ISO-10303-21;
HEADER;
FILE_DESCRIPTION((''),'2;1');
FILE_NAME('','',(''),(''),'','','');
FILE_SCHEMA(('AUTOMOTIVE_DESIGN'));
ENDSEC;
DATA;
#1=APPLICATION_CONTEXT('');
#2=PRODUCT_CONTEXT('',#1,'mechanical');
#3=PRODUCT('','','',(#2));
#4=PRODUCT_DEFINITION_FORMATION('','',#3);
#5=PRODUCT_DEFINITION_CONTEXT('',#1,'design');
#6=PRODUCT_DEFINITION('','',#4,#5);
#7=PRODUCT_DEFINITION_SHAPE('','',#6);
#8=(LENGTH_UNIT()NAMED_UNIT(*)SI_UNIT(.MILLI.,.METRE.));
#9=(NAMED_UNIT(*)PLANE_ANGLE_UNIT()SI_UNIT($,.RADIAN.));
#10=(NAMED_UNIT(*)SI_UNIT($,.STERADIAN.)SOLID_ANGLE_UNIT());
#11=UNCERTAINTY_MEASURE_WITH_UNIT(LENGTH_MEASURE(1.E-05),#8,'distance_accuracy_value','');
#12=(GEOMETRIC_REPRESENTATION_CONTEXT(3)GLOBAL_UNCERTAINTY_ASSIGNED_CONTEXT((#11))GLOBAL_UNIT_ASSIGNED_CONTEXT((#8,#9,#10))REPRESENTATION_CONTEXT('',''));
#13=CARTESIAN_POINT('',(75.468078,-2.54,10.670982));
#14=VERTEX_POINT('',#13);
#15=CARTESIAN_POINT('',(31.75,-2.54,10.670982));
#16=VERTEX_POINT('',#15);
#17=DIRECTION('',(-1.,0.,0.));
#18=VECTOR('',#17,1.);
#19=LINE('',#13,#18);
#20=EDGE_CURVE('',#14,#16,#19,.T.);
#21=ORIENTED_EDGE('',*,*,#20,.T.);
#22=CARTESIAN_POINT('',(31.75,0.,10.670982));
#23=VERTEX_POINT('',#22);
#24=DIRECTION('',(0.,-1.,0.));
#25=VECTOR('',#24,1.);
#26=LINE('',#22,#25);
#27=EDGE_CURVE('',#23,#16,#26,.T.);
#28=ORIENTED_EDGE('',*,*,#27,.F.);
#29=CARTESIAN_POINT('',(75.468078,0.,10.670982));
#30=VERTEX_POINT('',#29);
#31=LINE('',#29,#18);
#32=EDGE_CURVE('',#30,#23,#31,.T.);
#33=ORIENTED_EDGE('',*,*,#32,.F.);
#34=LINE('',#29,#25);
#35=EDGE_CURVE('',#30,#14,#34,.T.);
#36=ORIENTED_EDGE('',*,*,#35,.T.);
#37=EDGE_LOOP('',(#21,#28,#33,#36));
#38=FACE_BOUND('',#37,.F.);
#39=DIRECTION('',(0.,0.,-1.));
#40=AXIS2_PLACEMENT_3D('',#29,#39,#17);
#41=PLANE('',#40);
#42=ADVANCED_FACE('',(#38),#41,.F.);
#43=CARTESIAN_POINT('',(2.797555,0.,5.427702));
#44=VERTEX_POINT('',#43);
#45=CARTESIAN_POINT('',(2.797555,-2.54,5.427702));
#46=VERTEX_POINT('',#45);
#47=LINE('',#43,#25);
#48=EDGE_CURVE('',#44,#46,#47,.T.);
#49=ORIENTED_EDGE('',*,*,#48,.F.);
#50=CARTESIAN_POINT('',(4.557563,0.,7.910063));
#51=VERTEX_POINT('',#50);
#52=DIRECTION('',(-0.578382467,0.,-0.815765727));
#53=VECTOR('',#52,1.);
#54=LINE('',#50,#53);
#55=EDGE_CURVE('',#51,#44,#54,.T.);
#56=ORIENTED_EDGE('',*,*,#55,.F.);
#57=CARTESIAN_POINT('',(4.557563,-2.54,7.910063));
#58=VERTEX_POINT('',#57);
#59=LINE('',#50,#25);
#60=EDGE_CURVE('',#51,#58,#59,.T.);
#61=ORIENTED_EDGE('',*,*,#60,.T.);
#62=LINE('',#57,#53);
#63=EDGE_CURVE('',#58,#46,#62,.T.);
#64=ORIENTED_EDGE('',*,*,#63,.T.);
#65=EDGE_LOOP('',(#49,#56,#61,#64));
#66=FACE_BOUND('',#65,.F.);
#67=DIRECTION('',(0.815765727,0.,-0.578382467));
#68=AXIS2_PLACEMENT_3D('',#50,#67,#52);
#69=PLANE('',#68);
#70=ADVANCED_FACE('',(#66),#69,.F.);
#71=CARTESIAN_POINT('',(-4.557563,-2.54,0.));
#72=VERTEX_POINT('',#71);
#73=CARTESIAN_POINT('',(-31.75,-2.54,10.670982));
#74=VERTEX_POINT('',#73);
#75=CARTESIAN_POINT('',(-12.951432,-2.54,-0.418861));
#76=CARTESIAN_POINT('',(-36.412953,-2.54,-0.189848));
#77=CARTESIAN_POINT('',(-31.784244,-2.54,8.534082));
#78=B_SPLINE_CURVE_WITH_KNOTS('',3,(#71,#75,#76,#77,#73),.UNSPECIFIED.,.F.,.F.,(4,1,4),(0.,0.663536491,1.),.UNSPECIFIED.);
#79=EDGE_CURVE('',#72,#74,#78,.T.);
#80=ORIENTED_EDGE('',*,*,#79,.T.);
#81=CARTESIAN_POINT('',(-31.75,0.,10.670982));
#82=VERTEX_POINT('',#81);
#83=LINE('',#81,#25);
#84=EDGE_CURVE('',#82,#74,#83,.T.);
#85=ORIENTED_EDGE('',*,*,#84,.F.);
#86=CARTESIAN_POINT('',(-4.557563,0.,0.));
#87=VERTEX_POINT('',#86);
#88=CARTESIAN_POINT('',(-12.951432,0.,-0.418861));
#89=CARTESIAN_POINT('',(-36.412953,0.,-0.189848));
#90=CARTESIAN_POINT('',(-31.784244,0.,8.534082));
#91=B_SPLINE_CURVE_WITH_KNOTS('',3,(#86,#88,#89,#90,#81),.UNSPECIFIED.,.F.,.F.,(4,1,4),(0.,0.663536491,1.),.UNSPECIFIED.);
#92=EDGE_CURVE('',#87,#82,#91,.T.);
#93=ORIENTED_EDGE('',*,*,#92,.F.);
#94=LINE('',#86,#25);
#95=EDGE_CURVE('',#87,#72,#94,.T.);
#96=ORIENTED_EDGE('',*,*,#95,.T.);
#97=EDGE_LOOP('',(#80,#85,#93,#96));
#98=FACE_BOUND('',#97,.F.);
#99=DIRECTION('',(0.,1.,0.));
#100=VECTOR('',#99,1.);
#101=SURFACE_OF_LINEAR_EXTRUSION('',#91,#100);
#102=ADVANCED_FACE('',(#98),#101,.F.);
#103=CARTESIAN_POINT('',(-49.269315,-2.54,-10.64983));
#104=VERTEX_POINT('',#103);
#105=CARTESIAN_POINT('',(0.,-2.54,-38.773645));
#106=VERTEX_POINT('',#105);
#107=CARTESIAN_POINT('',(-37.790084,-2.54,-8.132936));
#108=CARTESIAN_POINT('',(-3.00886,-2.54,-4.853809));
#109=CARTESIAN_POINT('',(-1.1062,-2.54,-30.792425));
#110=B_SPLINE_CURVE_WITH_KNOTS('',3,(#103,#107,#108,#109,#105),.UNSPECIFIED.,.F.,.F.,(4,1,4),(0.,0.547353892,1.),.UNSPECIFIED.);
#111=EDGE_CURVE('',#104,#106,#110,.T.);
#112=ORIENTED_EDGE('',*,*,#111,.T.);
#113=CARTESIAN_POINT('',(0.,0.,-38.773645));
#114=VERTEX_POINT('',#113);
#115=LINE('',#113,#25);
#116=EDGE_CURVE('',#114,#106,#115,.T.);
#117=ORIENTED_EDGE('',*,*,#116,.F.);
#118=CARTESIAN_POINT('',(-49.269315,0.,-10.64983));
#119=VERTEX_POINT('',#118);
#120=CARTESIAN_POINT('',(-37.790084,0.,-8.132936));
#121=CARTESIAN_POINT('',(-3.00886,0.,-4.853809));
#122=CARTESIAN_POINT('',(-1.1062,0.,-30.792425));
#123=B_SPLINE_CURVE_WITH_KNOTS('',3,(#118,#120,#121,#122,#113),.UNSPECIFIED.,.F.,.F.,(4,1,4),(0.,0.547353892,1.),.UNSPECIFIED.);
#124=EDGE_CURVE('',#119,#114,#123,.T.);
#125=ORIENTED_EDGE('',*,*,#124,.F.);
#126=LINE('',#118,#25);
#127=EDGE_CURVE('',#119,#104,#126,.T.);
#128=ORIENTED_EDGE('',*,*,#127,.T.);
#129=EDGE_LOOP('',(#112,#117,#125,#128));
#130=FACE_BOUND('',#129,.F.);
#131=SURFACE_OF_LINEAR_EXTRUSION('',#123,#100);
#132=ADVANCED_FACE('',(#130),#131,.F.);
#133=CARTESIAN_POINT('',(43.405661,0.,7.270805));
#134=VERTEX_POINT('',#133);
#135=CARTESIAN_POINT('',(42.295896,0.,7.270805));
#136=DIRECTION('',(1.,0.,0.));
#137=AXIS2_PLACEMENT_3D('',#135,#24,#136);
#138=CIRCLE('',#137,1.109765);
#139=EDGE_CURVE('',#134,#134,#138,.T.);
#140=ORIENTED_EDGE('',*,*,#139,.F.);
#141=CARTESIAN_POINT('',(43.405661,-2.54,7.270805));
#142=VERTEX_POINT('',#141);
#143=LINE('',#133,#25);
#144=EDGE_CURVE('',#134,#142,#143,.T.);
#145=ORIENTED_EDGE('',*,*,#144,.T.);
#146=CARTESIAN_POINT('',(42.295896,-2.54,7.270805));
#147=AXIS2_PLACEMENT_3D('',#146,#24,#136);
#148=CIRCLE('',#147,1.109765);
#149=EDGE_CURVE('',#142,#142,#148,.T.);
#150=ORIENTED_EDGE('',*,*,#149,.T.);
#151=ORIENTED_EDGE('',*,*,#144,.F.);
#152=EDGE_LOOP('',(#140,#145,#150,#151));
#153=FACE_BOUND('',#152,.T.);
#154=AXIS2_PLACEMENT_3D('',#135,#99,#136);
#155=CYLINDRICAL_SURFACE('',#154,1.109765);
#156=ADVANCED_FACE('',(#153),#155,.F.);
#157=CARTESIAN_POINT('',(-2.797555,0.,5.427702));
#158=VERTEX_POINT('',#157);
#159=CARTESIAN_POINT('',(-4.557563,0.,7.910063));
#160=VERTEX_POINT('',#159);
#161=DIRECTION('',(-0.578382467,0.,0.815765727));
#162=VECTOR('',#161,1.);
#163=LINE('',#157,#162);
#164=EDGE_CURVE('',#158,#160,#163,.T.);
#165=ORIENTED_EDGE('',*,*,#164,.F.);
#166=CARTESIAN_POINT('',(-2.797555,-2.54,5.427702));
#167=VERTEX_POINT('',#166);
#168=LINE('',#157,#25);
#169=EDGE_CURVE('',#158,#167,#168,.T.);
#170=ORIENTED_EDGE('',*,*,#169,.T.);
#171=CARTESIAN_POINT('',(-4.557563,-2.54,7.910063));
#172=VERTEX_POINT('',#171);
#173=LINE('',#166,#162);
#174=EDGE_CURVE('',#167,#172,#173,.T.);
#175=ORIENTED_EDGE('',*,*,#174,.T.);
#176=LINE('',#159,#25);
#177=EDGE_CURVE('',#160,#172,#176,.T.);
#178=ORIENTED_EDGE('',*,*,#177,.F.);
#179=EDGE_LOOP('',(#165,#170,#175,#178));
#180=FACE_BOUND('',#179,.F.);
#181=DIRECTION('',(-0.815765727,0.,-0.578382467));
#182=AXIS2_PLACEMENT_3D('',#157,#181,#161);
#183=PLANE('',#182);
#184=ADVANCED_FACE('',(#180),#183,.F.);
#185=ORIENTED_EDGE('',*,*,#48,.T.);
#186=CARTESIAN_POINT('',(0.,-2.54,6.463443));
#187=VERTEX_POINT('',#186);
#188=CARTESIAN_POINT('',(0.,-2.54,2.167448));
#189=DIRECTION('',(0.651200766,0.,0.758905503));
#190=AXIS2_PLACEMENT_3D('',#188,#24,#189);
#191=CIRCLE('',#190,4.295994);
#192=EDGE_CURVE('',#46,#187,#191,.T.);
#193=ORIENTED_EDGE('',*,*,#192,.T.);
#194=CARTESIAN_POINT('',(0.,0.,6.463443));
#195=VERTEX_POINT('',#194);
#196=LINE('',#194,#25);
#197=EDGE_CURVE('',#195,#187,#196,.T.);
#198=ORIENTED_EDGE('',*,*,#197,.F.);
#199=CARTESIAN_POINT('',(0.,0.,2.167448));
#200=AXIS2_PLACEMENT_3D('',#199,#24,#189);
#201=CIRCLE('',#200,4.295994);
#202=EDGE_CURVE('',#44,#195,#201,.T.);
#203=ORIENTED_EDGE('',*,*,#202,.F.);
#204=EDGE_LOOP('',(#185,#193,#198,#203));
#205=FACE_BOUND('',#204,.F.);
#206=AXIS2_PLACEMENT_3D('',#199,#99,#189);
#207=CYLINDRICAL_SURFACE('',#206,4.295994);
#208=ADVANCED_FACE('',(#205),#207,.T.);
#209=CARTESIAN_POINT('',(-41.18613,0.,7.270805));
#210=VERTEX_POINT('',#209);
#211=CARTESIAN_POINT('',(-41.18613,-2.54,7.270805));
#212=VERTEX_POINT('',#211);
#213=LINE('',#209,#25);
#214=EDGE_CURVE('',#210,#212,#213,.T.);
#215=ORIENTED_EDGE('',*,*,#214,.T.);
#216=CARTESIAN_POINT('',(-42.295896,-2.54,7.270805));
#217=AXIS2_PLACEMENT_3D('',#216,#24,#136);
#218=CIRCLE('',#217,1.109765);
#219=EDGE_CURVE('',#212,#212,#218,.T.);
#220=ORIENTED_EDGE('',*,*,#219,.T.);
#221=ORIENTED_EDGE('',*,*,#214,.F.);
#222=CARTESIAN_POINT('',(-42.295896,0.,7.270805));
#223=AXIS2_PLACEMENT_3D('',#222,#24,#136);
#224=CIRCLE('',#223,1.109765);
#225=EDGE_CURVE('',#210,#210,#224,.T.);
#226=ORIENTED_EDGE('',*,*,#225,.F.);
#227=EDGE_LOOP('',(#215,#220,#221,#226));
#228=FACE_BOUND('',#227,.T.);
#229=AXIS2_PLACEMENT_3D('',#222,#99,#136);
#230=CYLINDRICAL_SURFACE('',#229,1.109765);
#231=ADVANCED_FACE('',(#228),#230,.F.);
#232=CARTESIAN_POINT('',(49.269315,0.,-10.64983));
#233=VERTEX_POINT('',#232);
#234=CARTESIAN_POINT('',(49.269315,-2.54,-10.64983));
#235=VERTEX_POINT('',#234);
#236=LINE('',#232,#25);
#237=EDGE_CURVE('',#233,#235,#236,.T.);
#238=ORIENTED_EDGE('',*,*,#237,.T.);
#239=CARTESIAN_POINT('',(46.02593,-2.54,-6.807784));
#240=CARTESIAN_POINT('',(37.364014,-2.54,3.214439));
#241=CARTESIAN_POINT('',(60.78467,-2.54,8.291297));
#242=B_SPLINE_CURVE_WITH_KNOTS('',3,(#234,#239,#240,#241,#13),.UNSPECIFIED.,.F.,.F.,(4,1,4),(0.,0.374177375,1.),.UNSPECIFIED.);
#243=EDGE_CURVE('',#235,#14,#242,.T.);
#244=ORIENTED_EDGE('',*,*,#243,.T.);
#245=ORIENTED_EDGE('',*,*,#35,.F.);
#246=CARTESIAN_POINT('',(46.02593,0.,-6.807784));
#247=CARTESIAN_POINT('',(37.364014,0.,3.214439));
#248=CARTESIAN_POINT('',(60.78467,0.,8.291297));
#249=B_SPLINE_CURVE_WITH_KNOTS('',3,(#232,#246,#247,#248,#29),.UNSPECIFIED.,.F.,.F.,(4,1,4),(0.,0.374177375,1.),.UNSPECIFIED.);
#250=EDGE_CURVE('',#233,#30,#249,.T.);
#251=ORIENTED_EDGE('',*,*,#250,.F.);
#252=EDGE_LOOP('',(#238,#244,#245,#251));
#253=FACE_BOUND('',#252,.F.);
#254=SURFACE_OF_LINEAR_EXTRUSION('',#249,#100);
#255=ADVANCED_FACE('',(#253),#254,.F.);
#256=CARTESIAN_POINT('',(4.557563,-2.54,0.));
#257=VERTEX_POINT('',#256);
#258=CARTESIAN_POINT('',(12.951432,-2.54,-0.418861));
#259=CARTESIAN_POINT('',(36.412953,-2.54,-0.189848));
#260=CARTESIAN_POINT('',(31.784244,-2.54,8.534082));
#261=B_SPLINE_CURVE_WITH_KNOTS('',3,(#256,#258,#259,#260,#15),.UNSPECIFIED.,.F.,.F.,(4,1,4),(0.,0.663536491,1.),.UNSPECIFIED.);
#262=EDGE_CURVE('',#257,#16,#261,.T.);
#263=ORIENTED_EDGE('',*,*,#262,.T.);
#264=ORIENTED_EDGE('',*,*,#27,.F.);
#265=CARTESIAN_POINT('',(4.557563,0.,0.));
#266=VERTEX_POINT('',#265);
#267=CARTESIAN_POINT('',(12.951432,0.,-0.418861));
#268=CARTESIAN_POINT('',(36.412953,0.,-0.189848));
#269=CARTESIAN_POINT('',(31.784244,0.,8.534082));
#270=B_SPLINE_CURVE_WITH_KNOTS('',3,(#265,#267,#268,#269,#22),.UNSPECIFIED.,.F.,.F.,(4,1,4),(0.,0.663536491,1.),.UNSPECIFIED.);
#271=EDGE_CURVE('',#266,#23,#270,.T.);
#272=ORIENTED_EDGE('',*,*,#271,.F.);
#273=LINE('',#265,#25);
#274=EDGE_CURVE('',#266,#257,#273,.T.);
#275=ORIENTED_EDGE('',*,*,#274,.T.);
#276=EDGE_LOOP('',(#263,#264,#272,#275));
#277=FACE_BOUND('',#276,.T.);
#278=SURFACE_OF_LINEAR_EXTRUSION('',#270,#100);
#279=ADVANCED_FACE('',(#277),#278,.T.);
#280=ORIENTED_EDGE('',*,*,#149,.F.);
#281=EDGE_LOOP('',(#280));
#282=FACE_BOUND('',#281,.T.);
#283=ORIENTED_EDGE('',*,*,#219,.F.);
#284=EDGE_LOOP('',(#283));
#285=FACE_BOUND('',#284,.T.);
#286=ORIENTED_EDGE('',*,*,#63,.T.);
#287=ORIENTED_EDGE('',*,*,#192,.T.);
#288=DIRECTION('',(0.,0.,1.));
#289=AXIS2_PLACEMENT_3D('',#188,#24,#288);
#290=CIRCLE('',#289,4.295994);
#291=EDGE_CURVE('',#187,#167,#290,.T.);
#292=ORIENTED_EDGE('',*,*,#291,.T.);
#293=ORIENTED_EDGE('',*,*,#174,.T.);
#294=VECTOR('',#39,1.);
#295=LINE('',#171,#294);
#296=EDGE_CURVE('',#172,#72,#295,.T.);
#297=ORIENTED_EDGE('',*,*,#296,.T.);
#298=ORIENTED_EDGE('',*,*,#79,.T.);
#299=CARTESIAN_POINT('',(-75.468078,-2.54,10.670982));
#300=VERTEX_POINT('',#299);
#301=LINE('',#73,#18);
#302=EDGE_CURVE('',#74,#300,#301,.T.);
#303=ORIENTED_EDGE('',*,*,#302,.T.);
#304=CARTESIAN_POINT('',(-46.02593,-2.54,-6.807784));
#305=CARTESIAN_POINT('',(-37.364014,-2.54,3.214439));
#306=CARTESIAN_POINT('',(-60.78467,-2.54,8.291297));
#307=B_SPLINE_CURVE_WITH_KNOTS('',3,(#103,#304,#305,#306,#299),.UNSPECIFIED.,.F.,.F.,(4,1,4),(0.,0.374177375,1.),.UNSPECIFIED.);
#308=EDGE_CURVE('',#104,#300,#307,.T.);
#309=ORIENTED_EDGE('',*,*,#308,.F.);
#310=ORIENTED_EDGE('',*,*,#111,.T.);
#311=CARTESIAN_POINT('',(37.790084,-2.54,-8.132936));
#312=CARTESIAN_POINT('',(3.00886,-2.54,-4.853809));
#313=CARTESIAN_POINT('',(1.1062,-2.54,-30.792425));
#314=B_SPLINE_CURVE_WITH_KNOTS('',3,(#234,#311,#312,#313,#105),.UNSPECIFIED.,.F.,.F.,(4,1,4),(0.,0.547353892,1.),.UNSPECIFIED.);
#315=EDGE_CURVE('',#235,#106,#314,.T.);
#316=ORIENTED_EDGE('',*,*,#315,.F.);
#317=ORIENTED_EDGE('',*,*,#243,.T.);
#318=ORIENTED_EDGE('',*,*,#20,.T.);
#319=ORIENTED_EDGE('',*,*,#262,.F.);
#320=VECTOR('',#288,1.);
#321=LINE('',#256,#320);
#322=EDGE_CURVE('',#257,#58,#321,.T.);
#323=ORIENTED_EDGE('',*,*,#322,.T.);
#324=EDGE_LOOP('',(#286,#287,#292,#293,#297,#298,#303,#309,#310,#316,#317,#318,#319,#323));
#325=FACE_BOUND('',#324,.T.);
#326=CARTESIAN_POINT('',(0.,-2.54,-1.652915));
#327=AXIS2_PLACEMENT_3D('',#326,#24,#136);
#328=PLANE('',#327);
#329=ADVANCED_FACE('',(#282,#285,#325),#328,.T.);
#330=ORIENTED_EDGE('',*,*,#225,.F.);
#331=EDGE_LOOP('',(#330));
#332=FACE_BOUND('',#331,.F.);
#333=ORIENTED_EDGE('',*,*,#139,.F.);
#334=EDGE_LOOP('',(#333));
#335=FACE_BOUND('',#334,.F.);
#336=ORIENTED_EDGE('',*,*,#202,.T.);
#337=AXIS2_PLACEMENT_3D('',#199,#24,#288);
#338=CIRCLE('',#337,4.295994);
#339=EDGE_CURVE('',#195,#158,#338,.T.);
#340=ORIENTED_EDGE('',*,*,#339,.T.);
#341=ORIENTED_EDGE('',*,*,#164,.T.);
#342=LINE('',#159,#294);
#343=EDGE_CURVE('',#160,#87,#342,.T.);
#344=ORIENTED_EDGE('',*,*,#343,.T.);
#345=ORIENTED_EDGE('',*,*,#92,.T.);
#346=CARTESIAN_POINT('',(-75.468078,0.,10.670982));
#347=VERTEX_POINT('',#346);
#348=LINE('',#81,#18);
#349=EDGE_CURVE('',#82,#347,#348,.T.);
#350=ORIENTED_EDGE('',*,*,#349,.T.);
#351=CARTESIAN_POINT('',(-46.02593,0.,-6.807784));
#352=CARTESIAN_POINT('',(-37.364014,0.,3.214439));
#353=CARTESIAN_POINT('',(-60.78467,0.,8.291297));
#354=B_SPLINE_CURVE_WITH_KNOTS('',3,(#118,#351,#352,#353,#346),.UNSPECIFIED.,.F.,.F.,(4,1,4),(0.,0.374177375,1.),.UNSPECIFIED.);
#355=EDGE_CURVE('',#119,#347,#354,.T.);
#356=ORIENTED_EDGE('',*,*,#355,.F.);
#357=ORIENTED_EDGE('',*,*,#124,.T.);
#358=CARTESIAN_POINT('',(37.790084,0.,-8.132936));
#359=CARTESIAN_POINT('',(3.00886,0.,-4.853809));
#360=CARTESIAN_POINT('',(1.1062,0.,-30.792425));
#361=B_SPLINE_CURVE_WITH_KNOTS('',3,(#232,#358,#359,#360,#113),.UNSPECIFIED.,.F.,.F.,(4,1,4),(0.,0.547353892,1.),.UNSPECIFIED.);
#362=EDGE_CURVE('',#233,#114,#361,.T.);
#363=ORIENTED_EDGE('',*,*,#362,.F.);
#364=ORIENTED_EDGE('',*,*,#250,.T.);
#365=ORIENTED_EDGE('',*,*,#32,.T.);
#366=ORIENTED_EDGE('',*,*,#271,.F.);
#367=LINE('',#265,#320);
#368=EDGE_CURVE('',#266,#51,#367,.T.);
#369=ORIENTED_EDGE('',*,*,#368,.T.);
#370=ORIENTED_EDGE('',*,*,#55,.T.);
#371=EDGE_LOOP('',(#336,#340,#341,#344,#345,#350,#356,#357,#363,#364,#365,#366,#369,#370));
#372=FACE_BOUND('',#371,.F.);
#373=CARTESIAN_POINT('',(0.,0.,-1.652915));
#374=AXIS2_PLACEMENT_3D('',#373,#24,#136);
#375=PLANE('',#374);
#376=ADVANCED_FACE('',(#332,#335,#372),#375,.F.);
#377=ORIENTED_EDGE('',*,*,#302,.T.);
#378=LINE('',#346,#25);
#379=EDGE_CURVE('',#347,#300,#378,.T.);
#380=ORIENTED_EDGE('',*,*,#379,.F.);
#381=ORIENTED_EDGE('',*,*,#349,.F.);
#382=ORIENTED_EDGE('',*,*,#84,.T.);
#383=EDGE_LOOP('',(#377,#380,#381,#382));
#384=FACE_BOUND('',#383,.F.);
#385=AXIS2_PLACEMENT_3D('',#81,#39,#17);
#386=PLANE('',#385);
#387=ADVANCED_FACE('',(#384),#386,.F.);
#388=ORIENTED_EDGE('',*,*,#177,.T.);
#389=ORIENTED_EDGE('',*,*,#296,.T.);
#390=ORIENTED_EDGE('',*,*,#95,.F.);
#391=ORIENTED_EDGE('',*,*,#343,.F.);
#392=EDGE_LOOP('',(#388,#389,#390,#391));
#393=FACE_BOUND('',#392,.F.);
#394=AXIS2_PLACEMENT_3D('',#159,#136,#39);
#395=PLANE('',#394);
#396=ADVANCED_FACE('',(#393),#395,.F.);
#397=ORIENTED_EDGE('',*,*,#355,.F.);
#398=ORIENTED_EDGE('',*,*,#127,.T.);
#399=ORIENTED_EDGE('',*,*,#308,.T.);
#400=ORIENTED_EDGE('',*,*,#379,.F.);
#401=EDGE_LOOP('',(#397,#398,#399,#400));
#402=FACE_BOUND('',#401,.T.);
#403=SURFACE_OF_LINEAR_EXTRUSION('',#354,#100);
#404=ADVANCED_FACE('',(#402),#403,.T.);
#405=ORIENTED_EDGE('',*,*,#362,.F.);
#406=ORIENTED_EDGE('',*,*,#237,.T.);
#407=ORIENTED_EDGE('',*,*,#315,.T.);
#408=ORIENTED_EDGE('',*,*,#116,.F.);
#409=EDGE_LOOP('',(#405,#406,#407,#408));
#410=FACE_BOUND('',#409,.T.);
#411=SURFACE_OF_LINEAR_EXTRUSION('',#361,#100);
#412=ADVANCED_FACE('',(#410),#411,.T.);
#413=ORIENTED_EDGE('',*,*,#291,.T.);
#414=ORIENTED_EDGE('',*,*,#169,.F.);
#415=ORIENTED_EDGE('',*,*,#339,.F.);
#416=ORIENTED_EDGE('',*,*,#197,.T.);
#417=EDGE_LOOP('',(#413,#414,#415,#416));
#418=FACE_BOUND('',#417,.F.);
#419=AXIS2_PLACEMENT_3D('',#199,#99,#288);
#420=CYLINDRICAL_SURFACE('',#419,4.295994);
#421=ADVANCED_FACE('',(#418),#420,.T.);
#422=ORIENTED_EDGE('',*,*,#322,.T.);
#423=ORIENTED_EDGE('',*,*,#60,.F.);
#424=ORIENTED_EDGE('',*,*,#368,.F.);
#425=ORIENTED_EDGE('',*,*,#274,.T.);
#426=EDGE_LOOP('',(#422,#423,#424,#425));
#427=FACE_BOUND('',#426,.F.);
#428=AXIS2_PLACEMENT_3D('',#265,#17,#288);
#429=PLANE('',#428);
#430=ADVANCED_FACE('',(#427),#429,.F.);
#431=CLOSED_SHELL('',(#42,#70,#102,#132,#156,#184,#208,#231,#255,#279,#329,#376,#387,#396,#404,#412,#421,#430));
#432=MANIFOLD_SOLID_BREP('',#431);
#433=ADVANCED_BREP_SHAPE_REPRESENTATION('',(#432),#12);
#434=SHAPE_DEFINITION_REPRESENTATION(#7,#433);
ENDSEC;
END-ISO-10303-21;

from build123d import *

# Parameters (mm, degrees)
F0_R     = 1.1097651403
F1_DEPTH = 2.54


with BuildPart() as f1:
    # F0 (on Front) → F1 (new body)
    with BuildSketch(Plane.XZ):
        with BuildLine():
            Line((-4.557562992, 7.910063397), (-4.557562992, 0))
            add(Edge.make_bspline(
                [(-4.557562992, 0), (-12.9514320944, -0.4188610581), (-36.412953424, -0.1898484015), (-31.7842442705, 8.5340817772), (-31.75, 10.6709823179)],
                knots=[0, 0, 0, 0, 0.6635364911, 1, 1, 1, 1], degree=3))
            Line((-31.75, 10.6709823179), (-75.4680782557, 10.6709823179))
            add(Edge.make_bspline(
                [(-49.2693148553, -10.6498301029), (-46.0259300723, -6.807783546), (-37.3640144911, 3.2144385809), (-60.7846700376, 8.2912969671), (-75.4680782557, 10.6709823179)],
                knots=[0, 0, 0, 0, 0.374177375, 1, 1, 1, 1], degree=3))
            add(Edge.make_bspline(
                [(-49.2693148553, -10.6498301029), (-37.7900837071, -8.1329357734), (-3.0088601501, -4.8538091253), (-1.1061998076, -30.7924250346), (0, -38.7736447155)],
                knots=[0, 0, 0, 0, 0.5473538922, 1, 1, 1, 1], degree=3))
            add(Edge.make_bspline(
                [(49.2693148553, -10.6498301029), (37.7900837071, -8.1329357734), (3.0088601501, -4.8538091253), (1.1061998076, -30.7924250346), (0, -38.7736447155)],
                knots=[0, 0, 0, 0, 0.5473538922, 1, 1, 1, 1], degree=3))
            add(Edge.make_bspline(
                [(49.2693148553, -10.6498301029), (46.0259300723, -6.807783546), (37.3640144911, 3.2144385809), (60.7846700376, 8.2912969671), (75.4680782557, 10.6709823179)],
                knots=[0, 0, 0, 0, 0.374177375, 1, 1, 1, 1], degree=3))
            Line((75.4680782557, 10.6709823179), (31.75, 10.6709823179))
            add(Edge.make_bspline(
                [(4.557562992, 0), (12.9514320944, -0.4188610581), (36.412953424, -0.1898484015), (31.7842442705, 8.5340817772), (31.75, 10.6709823179)],
                knots=[0, 0, 0, 0, 0.6635364911, 1, 1, 1, 1], degree=3))
            Line((4.557562992, 0), (4.557562992, 7.910063397))
            Line((4.557562992, 7.910063397), (2.7975548114, 5.4277019211))
            ThreePointArc((2.7975548114, 5.4277019211), (1.4915655791, 6.1961948194), (0, 6.4634425184))
            ThreePointArc((0, 6.4634425184), (-1.4915655791, 6.1961948194), (-2.7975548114, 5.4277019211))
            Line((-2.7975548114, 5.4277019211), (-4.557562992, 7.910063397))
        make_face()
        with Locations((-42.2958955169, 7.2708046064)):
            Circle(F0_R, mode=Mode.SUBTRACT)
        with Locations((42.2958955169, 7.2708046064)):
            Circle(F0_R, mode=Mode.SUBTRACT)
    extrude(amount=F1_DEPTH)


solid = f1.part
